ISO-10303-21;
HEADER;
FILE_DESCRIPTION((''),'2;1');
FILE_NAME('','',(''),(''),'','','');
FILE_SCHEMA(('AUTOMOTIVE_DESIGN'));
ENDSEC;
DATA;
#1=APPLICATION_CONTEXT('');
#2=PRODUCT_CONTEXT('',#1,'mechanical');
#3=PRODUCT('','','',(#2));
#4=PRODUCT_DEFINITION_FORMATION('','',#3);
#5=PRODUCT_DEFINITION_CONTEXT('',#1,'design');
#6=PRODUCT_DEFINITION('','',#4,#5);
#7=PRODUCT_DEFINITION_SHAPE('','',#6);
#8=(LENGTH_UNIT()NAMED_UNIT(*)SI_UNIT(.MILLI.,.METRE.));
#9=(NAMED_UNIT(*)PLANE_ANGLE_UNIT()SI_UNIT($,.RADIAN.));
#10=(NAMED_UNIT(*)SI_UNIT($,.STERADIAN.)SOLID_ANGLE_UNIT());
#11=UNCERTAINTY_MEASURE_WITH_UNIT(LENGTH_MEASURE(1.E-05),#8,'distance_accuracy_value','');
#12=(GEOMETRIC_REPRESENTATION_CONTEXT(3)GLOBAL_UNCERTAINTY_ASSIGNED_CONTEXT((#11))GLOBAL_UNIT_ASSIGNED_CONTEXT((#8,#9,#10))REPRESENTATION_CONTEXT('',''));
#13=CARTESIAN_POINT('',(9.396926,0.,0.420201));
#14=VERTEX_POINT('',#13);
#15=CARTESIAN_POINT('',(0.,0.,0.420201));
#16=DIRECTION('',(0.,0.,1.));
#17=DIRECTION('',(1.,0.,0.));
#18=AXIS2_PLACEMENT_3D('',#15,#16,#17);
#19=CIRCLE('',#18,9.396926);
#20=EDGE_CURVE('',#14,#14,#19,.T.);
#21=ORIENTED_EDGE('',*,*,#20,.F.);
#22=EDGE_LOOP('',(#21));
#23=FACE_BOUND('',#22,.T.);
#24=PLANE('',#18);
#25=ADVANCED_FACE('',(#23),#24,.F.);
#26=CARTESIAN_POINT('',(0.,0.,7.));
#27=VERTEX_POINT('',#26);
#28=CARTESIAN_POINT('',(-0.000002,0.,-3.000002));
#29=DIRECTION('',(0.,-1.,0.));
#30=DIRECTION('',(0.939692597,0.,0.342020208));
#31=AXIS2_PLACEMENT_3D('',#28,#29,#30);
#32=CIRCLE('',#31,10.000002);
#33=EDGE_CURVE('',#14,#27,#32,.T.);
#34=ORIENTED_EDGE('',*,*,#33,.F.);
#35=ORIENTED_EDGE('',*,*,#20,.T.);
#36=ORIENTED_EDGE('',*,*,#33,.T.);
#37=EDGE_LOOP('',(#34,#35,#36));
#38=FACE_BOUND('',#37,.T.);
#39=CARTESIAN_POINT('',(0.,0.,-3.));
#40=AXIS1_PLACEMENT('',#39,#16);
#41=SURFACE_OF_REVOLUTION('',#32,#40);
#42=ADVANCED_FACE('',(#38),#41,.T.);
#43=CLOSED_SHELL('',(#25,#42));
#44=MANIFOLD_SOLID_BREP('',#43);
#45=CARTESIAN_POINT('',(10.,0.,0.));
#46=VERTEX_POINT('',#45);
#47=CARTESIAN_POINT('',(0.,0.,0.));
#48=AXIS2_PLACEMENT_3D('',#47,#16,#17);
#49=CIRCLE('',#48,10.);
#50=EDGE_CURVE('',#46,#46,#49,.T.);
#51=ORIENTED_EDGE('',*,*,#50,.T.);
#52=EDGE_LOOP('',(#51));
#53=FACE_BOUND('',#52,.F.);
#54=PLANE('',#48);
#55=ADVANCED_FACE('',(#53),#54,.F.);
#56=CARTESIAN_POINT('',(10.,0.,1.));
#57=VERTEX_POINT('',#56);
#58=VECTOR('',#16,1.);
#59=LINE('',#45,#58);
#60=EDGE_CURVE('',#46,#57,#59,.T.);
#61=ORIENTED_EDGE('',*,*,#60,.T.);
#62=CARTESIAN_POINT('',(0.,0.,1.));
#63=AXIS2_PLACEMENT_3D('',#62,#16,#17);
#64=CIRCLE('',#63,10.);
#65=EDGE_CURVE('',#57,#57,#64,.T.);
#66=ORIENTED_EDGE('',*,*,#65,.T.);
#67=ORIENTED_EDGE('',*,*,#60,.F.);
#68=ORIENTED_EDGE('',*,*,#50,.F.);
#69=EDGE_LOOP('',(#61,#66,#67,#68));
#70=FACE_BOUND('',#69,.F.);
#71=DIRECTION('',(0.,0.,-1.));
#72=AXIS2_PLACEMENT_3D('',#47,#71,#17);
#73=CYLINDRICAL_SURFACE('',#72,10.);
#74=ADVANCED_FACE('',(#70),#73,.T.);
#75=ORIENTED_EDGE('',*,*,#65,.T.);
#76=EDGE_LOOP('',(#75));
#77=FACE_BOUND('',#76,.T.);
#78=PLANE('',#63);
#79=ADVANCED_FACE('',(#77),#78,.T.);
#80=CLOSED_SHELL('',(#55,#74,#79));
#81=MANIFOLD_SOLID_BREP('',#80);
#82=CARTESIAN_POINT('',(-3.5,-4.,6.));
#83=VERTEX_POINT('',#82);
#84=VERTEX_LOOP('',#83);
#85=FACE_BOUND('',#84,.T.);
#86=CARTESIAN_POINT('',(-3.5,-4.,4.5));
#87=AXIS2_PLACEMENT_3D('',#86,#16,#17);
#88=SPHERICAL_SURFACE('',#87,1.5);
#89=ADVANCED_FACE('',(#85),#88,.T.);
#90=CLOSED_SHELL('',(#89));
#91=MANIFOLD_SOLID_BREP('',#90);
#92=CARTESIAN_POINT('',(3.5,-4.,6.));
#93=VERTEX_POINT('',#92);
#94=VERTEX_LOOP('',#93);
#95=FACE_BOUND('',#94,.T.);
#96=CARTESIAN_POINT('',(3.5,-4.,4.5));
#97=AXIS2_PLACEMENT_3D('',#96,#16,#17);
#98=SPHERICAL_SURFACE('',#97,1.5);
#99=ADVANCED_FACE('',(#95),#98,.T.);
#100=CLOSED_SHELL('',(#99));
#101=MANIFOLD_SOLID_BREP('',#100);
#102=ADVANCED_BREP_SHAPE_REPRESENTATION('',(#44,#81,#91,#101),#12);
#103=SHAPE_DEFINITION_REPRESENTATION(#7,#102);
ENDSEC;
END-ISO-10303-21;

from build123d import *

# Parameters (mm, degrees)
CYLINDER_R     = 10
CYLINDER_DEPTH = 1


with BuildPart() as cylinder:
    # Cylinder → Cylinder (new body)
    with BuildSketch(Plane.XY):
        Circle(CYLINDER_R)
    extrude(amount=CYLINDER_DEPTH)


with BuildPart() as sphere:
    # Sphere → Sphere (revolve)
    with BuildSketch(Plane(origin=(0, 0, -3), x_dir=(1, 0, 0), z_dir=(0, -1, 0))):
        with BuildLine():
            ThreePointArc((9.396926, 3.420201), (5.735764, 8.19152), (0, 10))
            Line((0, 10), (0, 3.420201))
            Line((0, 3.420201), (9.396926, 3.420201))
        make_face()
    revolve(axis=Axis((0, 0, -3), (0, 0, 1)))


with BuildPart() as sphere001:
    # Sphere001 → Sphere001 (revolve)
    with BuildSketch(Plane(origin=(-3.5, -4, 4.5), x_dir=(1, 0, 0), z_dir=(0, -1, 0))):
        with BuildLine():
            ThreePointArc((0, -1.5), (1.5, 0), (0, 1.5))
            Line((0, 1.5), (0, -1.5))
        make_face()
    revolve(axis=Axis((-3.5, -4, 4.5), (0, 0, 1)))


with BuildPart() as sphere002:
    # Sphere002 → Sphere002 (revolve)
    with BuildSketch(Plane(origin=(3.5, -4, 4.5), x_dir=(1, 0, 0), z_dir=(0, -1, 0))):
        with BuildLine():
            ThreePointArc((0, -1.5), (1.5, 0), (0, 1.5))
            Line((0, 1.5), (0, -1.5))
        make_face()
    revolve(axis=Axis((3.5, -4, 4.5), (0, 0, 1)))


solid = Compound([cylinder.part, sphere.part, sphere001.part, sphere002.part])
